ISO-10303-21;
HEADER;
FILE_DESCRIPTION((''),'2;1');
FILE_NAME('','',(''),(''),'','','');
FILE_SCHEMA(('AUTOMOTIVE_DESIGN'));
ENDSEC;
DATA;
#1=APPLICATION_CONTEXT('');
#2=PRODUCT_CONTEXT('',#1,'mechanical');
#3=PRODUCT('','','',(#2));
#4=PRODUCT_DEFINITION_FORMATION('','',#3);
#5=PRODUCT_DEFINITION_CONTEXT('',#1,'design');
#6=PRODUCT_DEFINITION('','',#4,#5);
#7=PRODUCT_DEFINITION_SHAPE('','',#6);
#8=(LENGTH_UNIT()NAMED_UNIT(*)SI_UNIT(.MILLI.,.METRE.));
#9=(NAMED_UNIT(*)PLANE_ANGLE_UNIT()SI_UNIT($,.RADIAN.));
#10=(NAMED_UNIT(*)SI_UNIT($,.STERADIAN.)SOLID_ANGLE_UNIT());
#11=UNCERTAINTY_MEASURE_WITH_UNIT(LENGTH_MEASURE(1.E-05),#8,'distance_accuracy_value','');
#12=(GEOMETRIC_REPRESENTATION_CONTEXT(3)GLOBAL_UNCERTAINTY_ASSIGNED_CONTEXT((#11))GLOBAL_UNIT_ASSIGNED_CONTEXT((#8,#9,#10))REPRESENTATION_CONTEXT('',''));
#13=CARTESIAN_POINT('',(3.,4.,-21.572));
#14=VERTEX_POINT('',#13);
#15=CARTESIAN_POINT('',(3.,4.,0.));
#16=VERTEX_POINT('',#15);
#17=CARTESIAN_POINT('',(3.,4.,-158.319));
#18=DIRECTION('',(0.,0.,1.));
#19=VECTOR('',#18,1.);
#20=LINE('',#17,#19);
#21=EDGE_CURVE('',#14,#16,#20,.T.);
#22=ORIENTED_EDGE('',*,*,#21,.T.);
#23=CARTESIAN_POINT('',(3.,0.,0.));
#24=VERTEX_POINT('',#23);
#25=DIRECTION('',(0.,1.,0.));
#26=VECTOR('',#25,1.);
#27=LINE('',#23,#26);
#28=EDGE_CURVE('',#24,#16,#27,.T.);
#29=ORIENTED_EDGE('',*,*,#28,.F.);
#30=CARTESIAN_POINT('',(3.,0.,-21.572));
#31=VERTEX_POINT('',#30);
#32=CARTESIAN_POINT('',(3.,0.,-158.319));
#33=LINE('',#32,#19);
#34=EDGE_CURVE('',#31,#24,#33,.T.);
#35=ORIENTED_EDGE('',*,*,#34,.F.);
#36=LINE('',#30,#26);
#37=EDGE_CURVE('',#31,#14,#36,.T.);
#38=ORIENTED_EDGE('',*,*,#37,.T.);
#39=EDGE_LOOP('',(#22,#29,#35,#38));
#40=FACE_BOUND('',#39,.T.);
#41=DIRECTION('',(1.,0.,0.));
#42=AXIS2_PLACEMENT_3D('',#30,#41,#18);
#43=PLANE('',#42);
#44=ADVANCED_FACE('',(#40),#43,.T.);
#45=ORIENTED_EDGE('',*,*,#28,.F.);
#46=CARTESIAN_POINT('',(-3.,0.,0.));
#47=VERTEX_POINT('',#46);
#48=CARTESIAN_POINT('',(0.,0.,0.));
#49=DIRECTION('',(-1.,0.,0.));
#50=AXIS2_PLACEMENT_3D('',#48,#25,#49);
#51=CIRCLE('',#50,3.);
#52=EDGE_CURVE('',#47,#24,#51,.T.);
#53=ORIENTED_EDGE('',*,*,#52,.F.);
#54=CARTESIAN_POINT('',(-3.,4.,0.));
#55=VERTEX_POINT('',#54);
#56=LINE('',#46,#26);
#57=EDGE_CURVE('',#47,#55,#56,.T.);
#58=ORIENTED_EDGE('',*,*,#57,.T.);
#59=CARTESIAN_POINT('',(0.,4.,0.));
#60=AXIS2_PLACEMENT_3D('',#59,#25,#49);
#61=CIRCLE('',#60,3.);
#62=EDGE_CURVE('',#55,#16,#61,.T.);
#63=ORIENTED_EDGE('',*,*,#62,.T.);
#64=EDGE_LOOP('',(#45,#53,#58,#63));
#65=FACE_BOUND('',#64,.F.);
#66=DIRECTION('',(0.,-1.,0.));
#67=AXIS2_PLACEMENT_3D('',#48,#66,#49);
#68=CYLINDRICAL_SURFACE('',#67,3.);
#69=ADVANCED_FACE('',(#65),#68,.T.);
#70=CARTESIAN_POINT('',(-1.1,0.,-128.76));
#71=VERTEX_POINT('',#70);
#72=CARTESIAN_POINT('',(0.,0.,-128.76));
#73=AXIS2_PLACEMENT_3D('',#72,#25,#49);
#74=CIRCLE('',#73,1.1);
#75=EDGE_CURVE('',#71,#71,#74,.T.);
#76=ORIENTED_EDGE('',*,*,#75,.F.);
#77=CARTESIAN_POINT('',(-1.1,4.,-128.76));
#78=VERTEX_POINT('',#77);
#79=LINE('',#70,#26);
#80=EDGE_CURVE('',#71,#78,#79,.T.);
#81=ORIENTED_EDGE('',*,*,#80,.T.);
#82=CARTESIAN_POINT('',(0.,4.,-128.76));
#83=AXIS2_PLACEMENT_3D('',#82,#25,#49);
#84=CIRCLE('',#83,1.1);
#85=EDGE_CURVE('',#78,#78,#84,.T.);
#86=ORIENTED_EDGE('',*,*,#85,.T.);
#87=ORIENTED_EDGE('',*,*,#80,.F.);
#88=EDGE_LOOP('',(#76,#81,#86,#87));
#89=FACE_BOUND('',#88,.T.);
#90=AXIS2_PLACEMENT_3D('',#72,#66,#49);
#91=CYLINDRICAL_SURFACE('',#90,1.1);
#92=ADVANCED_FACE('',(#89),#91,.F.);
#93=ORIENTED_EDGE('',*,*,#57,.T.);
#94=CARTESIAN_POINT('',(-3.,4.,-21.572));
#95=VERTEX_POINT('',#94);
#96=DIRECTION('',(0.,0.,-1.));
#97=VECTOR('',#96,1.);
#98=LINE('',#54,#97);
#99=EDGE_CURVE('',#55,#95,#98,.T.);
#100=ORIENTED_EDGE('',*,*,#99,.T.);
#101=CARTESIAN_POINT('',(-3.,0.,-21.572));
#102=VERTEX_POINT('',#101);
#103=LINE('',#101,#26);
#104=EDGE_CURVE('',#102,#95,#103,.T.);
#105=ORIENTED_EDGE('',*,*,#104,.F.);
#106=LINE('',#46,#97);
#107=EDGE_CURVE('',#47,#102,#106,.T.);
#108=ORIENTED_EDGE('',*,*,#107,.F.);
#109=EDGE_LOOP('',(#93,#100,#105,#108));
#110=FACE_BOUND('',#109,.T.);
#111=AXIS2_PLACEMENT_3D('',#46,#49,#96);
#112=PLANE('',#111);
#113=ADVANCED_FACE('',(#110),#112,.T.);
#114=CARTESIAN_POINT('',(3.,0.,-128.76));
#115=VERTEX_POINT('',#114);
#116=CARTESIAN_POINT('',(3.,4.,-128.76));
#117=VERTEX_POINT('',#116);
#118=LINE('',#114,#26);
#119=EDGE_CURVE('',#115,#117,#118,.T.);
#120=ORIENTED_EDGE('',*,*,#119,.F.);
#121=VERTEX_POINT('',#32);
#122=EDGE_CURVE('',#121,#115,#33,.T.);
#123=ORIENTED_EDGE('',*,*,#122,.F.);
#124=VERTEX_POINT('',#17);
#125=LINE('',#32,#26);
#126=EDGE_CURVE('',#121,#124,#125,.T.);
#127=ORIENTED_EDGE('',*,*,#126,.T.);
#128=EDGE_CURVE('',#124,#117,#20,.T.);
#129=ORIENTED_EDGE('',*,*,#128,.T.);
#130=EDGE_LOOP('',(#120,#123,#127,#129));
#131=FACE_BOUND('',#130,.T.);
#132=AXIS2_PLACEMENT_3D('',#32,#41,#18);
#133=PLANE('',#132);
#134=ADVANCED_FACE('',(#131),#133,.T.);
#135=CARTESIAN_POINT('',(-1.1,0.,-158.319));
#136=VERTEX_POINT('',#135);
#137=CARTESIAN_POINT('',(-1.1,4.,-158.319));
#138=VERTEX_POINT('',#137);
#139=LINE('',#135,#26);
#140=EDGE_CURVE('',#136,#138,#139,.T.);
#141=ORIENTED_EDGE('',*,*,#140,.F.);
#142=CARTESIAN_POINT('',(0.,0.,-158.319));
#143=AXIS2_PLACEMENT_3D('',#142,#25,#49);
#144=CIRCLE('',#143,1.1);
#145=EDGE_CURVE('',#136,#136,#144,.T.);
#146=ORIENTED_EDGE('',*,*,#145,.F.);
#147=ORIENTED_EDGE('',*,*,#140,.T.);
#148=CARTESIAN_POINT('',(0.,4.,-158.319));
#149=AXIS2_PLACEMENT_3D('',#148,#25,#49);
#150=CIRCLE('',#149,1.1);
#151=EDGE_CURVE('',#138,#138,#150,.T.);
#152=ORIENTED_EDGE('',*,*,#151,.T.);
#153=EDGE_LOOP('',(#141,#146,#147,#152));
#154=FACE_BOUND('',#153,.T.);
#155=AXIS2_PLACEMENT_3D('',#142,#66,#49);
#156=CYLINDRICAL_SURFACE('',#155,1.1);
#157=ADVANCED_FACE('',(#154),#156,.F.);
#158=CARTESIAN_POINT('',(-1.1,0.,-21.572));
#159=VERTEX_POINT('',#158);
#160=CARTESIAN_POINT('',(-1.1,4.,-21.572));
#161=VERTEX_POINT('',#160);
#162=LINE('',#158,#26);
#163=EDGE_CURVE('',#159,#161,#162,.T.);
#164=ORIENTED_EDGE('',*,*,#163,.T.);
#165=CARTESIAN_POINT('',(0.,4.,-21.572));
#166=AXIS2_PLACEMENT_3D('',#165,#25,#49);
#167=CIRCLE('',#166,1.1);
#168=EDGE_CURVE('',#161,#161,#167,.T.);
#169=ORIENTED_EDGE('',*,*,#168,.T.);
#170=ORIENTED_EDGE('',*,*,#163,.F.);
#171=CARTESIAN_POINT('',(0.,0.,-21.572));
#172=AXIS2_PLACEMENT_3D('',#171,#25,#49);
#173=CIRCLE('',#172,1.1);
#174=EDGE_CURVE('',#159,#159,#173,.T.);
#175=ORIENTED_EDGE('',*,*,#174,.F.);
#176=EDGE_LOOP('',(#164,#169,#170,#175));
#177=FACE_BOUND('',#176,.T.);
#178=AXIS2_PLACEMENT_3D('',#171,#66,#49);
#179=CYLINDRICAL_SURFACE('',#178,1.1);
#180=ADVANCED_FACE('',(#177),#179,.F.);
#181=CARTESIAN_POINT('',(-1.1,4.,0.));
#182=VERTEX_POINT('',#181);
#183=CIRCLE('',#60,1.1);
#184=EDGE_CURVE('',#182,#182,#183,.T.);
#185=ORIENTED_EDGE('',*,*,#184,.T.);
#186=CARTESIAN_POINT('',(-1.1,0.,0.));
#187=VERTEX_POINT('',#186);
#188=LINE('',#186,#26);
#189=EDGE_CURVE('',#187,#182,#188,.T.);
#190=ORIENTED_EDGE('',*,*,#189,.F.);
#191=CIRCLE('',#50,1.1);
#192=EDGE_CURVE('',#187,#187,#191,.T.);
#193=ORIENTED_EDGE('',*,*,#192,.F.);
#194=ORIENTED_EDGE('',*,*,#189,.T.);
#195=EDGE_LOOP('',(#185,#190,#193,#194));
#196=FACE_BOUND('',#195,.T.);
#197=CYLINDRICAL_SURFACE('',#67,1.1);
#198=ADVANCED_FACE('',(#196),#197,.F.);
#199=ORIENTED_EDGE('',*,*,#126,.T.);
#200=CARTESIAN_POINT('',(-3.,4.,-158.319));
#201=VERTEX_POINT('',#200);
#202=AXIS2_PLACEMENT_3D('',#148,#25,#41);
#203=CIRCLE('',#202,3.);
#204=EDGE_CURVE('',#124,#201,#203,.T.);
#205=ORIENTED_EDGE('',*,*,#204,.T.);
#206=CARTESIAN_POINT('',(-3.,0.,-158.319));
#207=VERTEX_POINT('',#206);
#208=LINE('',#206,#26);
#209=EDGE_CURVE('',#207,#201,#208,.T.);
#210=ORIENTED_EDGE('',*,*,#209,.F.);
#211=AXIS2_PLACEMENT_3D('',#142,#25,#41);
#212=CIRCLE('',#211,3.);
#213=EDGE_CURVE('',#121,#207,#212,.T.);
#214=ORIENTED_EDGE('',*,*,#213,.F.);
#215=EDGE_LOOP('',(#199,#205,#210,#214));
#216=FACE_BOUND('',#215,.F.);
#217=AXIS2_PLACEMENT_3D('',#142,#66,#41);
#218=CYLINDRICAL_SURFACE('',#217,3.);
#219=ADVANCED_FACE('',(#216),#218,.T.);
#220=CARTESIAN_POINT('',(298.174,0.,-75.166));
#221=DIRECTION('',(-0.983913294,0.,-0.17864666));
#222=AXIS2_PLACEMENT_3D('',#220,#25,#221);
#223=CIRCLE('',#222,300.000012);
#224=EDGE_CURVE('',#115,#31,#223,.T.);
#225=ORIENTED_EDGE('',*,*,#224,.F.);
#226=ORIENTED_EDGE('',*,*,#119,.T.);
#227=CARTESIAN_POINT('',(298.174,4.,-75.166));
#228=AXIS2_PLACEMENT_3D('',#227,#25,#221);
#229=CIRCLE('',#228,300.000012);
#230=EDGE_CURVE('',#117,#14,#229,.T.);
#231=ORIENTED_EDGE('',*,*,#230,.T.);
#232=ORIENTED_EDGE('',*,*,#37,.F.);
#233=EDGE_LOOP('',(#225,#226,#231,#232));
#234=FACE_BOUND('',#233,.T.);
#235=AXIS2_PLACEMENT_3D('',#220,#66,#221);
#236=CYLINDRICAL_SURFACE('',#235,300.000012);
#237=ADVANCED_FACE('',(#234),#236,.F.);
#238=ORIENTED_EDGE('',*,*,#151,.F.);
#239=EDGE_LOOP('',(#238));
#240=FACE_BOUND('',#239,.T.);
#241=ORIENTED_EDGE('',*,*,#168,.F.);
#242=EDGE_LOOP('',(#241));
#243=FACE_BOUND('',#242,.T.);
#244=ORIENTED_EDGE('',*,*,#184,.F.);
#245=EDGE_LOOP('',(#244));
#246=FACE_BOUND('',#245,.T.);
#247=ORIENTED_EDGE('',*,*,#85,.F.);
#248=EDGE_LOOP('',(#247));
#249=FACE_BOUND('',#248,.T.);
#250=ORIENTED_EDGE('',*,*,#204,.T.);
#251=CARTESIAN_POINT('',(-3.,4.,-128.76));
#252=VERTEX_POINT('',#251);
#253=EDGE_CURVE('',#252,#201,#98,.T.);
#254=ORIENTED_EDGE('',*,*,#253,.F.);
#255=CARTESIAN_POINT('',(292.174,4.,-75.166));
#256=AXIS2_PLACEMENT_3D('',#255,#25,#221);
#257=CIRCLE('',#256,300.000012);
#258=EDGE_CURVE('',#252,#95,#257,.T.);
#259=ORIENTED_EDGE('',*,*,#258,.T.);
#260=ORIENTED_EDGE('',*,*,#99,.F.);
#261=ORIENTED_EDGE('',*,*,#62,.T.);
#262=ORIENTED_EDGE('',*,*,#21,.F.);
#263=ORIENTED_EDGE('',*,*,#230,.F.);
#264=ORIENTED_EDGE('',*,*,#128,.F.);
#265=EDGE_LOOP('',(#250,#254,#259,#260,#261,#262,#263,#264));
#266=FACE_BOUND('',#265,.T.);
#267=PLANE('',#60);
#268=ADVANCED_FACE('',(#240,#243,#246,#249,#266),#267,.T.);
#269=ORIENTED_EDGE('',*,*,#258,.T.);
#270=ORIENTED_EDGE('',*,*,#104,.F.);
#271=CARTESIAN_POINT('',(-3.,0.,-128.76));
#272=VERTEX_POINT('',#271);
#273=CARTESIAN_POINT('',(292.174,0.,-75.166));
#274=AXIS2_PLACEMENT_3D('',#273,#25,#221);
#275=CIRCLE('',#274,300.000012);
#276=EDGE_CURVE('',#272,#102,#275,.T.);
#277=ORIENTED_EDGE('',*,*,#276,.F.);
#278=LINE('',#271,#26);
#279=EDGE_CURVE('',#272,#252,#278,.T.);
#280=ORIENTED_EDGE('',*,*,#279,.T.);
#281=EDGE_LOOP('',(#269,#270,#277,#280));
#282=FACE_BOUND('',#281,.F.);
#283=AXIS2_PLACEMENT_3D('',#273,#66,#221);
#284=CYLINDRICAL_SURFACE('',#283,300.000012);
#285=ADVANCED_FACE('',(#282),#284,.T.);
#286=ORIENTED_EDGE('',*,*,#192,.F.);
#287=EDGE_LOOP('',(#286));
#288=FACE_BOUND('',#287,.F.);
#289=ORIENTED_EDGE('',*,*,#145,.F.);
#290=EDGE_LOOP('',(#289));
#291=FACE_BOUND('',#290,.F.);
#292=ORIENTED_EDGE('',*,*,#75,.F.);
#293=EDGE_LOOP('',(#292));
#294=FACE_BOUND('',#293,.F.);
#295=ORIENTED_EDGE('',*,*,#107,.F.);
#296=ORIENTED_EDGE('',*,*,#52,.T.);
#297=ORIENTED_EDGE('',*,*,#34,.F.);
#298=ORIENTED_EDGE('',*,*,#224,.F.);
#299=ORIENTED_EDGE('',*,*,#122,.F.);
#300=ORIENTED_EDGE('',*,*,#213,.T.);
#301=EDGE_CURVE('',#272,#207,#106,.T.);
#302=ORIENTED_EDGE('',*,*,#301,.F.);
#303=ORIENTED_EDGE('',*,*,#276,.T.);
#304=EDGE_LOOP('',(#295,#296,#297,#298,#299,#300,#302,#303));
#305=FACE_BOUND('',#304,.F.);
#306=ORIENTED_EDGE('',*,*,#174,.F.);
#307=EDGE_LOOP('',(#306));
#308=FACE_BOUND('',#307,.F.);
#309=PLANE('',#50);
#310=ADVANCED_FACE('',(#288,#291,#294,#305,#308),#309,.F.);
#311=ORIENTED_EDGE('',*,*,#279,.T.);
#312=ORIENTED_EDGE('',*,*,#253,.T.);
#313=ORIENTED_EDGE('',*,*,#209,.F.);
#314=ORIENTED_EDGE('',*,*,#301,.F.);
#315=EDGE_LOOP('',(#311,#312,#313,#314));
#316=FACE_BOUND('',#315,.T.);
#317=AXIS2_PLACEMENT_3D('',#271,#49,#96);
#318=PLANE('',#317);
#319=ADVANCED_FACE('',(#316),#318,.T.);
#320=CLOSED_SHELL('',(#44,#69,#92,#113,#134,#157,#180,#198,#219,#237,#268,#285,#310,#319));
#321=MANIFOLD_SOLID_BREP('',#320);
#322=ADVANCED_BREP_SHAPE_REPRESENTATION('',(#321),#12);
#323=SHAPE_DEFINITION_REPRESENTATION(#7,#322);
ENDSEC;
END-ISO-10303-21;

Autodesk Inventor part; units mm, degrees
ref_plane "YZ Plane" through (0, 0, 0) normal (1, 0, 0) x (0, 1, 0)
ref_plane "XZ Plane" through (0, 0, 0) normal (0, 1, 0) x (-1, 0, 0)
ref_plane "XY Plane" through (0, 0, 0) normal (0, 0, 1) x (1, 0, 0)
sketch "Sketch1" plane through (0, 0, 0) normal (0, 1, 0) x (-1, 0, 0)
  line L0 (0, 0) -> (0, -158.319) construction
  line L1 (3, 0) -> (3, -158.319)
  line L2 (-3, -158.319) -> (-3, 0)
  arc A0 (3, 0) -> (-3, 0) centre (0, 0) ccw
  arc A1 (-3, -158.319) -> (3, -158.319) centre (0, -158.319) ccw
  circle A2 centre (0, 0) radius 1.1
  circle A3 centre (0, -158.319) radius 1.1
  circle A4 centre (0, -21.572) radius 1.1
  circle A5 centre (0, -128.76) radius 1.1
  arc A6 (3, -128.76) -> (3, -21.572) centre (-292.174, -75.166) ccw
  arc A7 (-3, -128.76) -> (-3, -21.572) centre (-298.174, -75.166) ccw
  point P0 (0, -79.1595)
  dimension "d0" = 2.2
  dimension "d1" = 2.2
  dimension "d2" = 6
  dimension "d3" = 158.319
  dimension "d10" = 2.2
  dimension "d11" = 21.572
  dimension "d12" = 2.2
  dimension "d13" = 128.76
  dimension "d16" = 300
  dimension "d17" = 300
extrude "Extrusion1" add sketch "Sketch1" along normal blind 4 contours L1 A1 L2 A7 A0 | A6 L1
